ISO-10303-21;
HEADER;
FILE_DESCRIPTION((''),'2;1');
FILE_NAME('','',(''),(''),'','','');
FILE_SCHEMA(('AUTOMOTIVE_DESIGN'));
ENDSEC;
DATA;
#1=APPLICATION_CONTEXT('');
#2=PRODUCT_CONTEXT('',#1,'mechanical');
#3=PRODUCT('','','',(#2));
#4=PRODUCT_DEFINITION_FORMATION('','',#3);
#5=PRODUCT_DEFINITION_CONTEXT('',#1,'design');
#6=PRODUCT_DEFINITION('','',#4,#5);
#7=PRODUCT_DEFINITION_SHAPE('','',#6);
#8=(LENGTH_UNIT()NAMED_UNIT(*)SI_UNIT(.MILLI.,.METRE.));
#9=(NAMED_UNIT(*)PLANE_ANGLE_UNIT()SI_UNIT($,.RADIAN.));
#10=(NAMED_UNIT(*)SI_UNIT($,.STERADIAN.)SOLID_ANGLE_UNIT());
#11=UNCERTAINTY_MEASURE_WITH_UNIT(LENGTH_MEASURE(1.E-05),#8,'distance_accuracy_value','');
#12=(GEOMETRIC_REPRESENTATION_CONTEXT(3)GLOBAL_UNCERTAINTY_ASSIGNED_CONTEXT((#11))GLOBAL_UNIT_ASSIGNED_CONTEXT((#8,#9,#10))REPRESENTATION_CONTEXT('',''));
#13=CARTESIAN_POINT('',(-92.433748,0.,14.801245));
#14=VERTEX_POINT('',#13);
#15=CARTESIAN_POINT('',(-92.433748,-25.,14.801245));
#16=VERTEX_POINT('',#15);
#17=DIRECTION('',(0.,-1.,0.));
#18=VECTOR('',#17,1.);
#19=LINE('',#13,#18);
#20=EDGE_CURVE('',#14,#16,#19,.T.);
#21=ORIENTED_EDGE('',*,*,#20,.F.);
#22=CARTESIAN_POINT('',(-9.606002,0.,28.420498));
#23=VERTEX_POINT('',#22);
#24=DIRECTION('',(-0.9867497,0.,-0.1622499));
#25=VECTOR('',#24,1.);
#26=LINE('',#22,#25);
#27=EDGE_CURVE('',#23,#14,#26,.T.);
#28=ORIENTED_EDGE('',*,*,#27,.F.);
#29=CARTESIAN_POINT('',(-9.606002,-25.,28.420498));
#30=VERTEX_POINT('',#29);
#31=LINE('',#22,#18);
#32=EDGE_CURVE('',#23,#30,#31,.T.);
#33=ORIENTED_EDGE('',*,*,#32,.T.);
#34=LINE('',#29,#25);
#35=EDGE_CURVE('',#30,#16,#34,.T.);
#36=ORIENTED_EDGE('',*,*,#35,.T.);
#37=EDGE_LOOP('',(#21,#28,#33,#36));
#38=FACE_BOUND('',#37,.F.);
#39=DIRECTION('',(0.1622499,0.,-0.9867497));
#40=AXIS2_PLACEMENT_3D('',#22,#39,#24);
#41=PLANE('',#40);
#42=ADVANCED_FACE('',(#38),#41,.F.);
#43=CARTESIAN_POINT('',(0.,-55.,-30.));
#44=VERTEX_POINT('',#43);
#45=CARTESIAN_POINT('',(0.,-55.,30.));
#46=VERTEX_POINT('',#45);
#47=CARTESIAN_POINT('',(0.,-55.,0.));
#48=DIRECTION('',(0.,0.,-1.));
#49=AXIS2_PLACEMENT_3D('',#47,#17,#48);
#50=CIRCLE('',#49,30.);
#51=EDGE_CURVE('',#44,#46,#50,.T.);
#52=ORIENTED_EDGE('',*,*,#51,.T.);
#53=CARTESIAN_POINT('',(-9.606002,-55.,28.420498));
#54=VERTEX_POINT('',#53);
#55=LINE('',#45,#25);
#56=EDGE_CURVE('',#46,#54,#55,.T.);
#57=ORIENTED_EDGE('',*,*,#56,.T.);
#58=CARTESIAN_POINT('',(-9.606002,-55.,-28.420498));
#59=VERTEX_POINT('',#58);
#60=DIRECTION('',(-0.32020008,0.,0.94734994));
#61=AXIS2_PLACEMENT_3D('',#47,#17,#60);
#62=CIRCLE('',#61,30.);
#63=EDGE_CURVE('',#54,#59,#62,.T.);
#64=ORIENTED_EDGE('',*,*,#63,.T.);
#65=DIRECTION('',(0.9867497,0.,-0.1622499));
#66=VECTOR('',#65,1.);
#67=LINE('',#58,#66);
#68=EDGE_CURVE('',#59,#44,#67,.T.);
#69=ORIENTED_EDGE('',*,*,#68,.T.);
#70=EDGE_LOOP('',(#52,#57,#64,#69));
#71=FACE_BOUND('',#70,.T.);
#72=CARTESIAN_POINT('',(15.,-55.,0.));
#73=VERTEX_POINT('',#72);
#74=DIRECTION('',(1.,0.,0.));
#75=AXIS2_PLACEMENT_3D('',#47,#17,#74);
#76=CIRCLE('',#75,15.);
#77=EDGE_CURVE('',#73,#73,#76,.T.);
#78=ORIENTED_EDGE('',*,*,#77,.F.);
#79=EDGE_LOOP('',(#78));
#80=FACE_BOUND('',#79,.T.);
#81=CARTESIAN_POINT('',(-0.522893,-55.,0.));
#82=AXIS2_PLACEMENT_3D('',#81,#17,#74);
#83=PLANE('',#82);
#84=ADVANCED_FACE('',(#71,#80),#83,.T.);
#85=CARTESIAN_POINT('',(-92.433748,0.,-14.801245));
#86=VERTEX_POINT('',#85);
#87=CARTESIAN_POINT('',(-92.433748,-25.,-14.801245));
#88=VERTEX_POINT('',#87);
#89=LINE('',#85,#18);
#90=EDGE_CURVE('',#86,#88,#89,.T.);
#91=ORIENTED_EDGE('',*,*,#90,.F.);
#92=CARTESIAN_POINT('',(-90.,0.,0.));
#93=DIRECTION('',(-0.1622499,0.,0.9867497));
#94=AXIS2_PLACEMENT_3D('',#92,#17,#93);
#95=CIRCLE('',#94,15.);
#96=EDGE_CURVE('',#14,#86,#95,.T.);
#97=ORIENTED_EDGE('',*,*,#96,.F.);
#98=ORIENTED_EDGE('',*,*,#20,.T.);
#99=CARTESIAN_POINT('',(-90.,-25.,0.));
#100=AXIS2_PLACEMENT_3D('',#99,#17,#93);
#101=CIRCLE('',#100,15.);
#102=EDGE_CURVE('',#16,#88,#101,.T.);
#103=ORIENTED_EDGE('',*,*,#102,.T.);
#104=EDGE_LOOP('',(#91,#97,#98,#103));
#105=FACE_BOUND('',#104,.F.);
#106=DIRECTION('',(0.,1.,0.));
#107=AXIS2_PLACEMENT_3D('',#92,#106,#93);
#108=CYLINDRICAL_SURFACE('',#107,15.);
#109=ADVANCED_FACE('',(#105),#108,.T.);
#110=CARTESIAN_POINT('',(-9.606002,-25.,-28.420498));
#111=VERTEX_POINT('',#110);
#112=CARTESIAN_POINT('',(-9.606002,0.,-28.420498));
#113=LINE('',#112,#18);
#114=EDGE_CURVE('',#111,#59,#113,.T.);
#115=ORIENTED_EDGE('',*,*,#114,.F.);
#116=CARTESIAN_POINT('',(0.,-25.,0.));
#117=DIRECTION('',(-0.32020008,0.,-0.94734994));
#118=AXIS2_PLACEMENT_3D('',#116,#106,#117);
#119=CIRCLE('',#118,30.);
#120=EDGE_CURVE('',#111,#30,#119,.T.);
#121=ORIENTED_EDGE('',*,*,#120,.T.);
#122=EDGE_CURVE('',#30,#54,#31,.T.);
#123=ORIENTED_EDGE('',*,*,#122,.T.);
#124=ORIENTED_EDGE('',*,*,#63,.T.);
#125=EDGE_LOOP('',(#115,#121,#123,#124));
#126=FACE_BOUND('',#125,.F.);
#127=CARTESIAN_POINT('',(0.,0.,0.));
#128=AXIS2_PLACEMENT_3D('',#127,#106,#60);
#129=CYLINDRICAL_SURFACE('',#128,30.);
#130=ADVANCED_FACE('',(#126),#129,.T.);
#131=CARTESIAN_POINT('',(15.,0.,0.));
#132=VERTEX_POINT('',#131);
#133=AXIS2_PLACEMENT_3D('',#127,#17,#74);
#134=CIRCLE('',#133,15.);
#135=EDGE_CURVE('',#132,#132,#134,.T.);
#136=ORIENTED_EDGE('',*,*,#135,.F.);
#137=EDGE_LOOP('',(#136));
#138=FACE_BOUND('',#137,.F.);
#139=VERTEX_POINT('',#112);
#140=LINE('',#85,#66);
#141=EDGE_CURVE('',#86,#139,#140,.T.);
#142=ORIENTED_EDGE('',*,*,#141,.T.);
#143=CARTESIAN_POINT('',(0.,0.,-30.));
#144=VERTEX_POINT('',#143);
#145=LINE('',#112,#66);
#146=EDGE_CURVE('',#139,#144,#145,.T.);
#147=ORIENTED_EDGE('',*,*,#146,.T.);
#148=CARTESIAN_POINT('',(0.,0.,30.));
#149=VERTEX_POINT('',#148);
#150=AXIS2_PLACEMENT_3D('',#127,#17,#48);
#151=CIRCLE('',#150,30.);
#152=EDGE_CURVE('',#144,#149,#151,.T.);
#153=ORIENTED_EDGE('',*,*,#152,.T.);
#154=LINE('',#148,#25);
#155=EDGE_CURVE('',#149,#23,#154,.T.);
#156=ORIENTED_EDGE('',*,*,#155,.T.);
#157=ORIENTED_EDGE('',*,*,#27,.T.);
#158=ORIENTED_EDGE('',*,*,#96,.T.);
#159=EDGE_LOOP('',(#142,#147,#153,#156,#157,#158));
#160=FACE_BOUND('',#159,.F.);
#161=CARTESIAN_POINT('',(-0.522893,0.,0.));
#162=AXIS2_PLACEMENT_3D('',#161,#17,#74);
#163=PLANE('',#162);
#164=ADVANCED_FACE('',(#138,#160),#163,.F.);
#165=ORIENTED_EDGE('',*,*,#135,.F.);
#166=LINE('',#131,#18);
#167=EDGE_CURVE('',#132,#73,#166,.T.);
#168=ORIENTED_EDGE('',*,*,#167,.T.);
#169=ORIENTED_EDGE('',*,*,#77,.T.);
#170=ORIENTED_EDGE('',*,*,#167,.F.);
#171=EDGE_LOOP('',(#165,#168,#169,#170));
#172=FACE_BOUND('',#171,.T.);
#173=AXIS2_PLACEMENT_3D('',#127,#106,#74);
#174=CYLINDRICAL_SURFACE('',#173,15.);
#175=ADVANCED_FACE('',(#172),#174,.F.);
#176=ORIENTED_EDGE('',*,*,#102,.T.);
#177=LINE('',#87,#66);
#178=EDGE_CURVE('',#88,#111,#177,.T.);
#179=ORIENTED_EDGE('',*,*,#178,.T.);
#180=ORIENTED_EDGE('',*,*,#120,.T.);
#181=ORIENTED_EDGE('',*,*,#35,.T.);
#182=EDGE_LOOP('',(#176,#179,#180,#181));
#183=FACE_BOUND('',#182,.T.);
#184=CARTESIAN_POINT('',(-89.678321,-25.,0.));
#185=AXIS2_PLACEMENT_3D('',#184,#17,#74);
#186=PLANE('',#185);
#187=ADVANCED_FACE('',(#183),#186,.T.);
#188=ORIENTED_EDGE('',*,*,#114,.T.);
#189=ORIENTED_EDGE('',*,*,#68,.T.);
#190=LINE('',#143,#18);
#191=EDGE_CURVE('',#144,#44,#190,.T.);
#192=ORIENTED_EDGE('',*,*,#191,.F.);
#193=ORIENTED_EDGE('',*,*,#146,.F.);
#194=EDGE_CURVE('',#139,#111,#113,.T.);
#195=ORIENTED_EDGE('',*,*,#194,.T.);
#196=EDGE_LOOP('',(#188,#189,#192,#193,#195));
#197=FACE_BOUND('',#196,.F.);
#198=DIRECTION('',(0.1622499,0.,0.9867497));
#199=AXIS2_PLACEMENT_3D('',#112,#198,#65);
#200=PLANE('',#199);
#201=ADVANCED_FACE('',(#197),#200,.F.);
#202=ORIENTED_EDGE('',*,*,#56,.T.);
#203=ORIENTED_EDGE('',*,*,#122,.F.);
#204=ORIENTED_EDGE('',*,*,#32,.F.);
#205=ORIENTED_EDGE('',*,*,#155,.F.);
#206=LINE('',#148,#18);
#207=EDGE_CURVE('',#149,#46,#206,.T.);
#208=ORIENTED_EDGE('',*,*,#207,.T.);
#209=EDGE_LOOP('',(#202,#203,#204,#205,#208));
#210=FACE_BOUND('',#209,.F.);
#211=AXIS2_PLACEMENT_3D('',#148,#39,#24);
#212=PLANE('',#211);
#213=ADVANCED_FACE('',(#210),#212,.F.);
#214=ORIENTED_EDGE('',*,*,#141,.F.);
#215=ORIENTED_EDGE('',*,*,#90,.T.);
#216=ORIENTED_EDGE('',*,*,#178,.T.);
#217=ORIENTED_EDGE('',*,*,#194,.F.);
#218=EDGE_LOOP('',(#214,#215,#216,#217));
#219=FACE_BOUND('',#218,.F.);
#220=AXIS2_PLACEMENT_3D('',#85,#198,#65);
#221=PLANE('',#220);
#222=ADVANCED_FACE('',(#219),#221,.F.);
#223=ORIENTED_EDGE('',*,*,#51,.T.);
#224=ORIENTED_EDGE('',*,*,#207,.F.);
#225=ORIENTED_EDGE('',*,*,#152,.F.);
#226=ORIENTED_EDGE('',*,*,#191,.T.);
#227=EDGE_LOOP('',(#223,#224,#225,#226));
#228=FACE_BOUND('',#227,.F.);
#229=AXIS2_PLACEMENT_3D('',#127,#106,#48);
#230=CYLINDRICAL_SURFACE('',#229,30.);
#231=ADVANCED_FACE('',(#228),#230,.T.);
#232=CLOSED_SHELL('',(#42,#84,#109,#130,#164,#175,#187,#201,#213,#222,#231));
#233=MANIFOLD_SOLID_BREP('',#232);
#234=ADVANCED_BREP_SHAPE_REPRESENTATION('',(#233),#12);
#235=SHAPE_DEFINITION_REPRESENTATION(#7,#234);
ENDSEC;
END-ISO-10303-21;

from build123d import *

# Parameters (mm, degrees)
F1_DEPTH = 25
F0_R     = 15
F2_DEPTH = 55


with BuildPart() as f1:
    # F0 (on Front) → F1 (new body)
    with BuildSketch(Plane.XZ):
        with BuildLine():
            ThreePointArc((-75, 0), (-80.2919164477, 11.4347327796), (-92.4337484988, 14.8012454964))
            ThreePointArc((-92.4337484988, 14.8012454964), (-105, 0), (-92.4337484988, -14.8012454964))
            ThreePointArc((-92.4337484988, -14.8012454964), (-80.2919164477, -11.4347327796), (-75, 0))
        make_face()
        with BuildLine():
            ThreePointArc((-9.6060024019, -28.4204981986), (-30, 0), (-9.6060024019, 28.4204981986))
            Line((-9.6060024019, 28.4204981986), (-92.4337484988, 14.8012454964))
            ThreePointArc((-92.4337484988, 14.8012454964), (-80.2919164477, 11.4347327796), (-75, 0))
            ThreePointArc((-75, 0), (-80.2919164477, -11.4347327796), (-92.4337484988, -14.8012454964))
            Line((-92.4337484988, -14.8012454964), (-9.6060024019, -28.4204981986))
        make_face()
    extrude(amount=F1_DEPTH)

    # F0 (on Front) → F2 (join)
    with BuildSketch(Plane.XZ):
        with BuildLine():
            ThreePointArc((0, -30), (21.2132034356, -21.2132034356), (30, 0))
            ThreePointArc((30, 0), (21.2132034356, 21.2132034356), (0, 30))
            Line((0, 30), (-9.6060024019, 28.4204981986))
            ThreePointArc((-9.6060024019, 28.4204981986), (-30, 0), (-9.6060024019, -28.4204981986))
            Line((-9.6060024019, -28.4204981986), (0, -30))
        make_face()
        Circle(F0_R, mode=Mode.SUBTRACT)
    extrude(amount=F2_DEPTH)


solid = f1.part
